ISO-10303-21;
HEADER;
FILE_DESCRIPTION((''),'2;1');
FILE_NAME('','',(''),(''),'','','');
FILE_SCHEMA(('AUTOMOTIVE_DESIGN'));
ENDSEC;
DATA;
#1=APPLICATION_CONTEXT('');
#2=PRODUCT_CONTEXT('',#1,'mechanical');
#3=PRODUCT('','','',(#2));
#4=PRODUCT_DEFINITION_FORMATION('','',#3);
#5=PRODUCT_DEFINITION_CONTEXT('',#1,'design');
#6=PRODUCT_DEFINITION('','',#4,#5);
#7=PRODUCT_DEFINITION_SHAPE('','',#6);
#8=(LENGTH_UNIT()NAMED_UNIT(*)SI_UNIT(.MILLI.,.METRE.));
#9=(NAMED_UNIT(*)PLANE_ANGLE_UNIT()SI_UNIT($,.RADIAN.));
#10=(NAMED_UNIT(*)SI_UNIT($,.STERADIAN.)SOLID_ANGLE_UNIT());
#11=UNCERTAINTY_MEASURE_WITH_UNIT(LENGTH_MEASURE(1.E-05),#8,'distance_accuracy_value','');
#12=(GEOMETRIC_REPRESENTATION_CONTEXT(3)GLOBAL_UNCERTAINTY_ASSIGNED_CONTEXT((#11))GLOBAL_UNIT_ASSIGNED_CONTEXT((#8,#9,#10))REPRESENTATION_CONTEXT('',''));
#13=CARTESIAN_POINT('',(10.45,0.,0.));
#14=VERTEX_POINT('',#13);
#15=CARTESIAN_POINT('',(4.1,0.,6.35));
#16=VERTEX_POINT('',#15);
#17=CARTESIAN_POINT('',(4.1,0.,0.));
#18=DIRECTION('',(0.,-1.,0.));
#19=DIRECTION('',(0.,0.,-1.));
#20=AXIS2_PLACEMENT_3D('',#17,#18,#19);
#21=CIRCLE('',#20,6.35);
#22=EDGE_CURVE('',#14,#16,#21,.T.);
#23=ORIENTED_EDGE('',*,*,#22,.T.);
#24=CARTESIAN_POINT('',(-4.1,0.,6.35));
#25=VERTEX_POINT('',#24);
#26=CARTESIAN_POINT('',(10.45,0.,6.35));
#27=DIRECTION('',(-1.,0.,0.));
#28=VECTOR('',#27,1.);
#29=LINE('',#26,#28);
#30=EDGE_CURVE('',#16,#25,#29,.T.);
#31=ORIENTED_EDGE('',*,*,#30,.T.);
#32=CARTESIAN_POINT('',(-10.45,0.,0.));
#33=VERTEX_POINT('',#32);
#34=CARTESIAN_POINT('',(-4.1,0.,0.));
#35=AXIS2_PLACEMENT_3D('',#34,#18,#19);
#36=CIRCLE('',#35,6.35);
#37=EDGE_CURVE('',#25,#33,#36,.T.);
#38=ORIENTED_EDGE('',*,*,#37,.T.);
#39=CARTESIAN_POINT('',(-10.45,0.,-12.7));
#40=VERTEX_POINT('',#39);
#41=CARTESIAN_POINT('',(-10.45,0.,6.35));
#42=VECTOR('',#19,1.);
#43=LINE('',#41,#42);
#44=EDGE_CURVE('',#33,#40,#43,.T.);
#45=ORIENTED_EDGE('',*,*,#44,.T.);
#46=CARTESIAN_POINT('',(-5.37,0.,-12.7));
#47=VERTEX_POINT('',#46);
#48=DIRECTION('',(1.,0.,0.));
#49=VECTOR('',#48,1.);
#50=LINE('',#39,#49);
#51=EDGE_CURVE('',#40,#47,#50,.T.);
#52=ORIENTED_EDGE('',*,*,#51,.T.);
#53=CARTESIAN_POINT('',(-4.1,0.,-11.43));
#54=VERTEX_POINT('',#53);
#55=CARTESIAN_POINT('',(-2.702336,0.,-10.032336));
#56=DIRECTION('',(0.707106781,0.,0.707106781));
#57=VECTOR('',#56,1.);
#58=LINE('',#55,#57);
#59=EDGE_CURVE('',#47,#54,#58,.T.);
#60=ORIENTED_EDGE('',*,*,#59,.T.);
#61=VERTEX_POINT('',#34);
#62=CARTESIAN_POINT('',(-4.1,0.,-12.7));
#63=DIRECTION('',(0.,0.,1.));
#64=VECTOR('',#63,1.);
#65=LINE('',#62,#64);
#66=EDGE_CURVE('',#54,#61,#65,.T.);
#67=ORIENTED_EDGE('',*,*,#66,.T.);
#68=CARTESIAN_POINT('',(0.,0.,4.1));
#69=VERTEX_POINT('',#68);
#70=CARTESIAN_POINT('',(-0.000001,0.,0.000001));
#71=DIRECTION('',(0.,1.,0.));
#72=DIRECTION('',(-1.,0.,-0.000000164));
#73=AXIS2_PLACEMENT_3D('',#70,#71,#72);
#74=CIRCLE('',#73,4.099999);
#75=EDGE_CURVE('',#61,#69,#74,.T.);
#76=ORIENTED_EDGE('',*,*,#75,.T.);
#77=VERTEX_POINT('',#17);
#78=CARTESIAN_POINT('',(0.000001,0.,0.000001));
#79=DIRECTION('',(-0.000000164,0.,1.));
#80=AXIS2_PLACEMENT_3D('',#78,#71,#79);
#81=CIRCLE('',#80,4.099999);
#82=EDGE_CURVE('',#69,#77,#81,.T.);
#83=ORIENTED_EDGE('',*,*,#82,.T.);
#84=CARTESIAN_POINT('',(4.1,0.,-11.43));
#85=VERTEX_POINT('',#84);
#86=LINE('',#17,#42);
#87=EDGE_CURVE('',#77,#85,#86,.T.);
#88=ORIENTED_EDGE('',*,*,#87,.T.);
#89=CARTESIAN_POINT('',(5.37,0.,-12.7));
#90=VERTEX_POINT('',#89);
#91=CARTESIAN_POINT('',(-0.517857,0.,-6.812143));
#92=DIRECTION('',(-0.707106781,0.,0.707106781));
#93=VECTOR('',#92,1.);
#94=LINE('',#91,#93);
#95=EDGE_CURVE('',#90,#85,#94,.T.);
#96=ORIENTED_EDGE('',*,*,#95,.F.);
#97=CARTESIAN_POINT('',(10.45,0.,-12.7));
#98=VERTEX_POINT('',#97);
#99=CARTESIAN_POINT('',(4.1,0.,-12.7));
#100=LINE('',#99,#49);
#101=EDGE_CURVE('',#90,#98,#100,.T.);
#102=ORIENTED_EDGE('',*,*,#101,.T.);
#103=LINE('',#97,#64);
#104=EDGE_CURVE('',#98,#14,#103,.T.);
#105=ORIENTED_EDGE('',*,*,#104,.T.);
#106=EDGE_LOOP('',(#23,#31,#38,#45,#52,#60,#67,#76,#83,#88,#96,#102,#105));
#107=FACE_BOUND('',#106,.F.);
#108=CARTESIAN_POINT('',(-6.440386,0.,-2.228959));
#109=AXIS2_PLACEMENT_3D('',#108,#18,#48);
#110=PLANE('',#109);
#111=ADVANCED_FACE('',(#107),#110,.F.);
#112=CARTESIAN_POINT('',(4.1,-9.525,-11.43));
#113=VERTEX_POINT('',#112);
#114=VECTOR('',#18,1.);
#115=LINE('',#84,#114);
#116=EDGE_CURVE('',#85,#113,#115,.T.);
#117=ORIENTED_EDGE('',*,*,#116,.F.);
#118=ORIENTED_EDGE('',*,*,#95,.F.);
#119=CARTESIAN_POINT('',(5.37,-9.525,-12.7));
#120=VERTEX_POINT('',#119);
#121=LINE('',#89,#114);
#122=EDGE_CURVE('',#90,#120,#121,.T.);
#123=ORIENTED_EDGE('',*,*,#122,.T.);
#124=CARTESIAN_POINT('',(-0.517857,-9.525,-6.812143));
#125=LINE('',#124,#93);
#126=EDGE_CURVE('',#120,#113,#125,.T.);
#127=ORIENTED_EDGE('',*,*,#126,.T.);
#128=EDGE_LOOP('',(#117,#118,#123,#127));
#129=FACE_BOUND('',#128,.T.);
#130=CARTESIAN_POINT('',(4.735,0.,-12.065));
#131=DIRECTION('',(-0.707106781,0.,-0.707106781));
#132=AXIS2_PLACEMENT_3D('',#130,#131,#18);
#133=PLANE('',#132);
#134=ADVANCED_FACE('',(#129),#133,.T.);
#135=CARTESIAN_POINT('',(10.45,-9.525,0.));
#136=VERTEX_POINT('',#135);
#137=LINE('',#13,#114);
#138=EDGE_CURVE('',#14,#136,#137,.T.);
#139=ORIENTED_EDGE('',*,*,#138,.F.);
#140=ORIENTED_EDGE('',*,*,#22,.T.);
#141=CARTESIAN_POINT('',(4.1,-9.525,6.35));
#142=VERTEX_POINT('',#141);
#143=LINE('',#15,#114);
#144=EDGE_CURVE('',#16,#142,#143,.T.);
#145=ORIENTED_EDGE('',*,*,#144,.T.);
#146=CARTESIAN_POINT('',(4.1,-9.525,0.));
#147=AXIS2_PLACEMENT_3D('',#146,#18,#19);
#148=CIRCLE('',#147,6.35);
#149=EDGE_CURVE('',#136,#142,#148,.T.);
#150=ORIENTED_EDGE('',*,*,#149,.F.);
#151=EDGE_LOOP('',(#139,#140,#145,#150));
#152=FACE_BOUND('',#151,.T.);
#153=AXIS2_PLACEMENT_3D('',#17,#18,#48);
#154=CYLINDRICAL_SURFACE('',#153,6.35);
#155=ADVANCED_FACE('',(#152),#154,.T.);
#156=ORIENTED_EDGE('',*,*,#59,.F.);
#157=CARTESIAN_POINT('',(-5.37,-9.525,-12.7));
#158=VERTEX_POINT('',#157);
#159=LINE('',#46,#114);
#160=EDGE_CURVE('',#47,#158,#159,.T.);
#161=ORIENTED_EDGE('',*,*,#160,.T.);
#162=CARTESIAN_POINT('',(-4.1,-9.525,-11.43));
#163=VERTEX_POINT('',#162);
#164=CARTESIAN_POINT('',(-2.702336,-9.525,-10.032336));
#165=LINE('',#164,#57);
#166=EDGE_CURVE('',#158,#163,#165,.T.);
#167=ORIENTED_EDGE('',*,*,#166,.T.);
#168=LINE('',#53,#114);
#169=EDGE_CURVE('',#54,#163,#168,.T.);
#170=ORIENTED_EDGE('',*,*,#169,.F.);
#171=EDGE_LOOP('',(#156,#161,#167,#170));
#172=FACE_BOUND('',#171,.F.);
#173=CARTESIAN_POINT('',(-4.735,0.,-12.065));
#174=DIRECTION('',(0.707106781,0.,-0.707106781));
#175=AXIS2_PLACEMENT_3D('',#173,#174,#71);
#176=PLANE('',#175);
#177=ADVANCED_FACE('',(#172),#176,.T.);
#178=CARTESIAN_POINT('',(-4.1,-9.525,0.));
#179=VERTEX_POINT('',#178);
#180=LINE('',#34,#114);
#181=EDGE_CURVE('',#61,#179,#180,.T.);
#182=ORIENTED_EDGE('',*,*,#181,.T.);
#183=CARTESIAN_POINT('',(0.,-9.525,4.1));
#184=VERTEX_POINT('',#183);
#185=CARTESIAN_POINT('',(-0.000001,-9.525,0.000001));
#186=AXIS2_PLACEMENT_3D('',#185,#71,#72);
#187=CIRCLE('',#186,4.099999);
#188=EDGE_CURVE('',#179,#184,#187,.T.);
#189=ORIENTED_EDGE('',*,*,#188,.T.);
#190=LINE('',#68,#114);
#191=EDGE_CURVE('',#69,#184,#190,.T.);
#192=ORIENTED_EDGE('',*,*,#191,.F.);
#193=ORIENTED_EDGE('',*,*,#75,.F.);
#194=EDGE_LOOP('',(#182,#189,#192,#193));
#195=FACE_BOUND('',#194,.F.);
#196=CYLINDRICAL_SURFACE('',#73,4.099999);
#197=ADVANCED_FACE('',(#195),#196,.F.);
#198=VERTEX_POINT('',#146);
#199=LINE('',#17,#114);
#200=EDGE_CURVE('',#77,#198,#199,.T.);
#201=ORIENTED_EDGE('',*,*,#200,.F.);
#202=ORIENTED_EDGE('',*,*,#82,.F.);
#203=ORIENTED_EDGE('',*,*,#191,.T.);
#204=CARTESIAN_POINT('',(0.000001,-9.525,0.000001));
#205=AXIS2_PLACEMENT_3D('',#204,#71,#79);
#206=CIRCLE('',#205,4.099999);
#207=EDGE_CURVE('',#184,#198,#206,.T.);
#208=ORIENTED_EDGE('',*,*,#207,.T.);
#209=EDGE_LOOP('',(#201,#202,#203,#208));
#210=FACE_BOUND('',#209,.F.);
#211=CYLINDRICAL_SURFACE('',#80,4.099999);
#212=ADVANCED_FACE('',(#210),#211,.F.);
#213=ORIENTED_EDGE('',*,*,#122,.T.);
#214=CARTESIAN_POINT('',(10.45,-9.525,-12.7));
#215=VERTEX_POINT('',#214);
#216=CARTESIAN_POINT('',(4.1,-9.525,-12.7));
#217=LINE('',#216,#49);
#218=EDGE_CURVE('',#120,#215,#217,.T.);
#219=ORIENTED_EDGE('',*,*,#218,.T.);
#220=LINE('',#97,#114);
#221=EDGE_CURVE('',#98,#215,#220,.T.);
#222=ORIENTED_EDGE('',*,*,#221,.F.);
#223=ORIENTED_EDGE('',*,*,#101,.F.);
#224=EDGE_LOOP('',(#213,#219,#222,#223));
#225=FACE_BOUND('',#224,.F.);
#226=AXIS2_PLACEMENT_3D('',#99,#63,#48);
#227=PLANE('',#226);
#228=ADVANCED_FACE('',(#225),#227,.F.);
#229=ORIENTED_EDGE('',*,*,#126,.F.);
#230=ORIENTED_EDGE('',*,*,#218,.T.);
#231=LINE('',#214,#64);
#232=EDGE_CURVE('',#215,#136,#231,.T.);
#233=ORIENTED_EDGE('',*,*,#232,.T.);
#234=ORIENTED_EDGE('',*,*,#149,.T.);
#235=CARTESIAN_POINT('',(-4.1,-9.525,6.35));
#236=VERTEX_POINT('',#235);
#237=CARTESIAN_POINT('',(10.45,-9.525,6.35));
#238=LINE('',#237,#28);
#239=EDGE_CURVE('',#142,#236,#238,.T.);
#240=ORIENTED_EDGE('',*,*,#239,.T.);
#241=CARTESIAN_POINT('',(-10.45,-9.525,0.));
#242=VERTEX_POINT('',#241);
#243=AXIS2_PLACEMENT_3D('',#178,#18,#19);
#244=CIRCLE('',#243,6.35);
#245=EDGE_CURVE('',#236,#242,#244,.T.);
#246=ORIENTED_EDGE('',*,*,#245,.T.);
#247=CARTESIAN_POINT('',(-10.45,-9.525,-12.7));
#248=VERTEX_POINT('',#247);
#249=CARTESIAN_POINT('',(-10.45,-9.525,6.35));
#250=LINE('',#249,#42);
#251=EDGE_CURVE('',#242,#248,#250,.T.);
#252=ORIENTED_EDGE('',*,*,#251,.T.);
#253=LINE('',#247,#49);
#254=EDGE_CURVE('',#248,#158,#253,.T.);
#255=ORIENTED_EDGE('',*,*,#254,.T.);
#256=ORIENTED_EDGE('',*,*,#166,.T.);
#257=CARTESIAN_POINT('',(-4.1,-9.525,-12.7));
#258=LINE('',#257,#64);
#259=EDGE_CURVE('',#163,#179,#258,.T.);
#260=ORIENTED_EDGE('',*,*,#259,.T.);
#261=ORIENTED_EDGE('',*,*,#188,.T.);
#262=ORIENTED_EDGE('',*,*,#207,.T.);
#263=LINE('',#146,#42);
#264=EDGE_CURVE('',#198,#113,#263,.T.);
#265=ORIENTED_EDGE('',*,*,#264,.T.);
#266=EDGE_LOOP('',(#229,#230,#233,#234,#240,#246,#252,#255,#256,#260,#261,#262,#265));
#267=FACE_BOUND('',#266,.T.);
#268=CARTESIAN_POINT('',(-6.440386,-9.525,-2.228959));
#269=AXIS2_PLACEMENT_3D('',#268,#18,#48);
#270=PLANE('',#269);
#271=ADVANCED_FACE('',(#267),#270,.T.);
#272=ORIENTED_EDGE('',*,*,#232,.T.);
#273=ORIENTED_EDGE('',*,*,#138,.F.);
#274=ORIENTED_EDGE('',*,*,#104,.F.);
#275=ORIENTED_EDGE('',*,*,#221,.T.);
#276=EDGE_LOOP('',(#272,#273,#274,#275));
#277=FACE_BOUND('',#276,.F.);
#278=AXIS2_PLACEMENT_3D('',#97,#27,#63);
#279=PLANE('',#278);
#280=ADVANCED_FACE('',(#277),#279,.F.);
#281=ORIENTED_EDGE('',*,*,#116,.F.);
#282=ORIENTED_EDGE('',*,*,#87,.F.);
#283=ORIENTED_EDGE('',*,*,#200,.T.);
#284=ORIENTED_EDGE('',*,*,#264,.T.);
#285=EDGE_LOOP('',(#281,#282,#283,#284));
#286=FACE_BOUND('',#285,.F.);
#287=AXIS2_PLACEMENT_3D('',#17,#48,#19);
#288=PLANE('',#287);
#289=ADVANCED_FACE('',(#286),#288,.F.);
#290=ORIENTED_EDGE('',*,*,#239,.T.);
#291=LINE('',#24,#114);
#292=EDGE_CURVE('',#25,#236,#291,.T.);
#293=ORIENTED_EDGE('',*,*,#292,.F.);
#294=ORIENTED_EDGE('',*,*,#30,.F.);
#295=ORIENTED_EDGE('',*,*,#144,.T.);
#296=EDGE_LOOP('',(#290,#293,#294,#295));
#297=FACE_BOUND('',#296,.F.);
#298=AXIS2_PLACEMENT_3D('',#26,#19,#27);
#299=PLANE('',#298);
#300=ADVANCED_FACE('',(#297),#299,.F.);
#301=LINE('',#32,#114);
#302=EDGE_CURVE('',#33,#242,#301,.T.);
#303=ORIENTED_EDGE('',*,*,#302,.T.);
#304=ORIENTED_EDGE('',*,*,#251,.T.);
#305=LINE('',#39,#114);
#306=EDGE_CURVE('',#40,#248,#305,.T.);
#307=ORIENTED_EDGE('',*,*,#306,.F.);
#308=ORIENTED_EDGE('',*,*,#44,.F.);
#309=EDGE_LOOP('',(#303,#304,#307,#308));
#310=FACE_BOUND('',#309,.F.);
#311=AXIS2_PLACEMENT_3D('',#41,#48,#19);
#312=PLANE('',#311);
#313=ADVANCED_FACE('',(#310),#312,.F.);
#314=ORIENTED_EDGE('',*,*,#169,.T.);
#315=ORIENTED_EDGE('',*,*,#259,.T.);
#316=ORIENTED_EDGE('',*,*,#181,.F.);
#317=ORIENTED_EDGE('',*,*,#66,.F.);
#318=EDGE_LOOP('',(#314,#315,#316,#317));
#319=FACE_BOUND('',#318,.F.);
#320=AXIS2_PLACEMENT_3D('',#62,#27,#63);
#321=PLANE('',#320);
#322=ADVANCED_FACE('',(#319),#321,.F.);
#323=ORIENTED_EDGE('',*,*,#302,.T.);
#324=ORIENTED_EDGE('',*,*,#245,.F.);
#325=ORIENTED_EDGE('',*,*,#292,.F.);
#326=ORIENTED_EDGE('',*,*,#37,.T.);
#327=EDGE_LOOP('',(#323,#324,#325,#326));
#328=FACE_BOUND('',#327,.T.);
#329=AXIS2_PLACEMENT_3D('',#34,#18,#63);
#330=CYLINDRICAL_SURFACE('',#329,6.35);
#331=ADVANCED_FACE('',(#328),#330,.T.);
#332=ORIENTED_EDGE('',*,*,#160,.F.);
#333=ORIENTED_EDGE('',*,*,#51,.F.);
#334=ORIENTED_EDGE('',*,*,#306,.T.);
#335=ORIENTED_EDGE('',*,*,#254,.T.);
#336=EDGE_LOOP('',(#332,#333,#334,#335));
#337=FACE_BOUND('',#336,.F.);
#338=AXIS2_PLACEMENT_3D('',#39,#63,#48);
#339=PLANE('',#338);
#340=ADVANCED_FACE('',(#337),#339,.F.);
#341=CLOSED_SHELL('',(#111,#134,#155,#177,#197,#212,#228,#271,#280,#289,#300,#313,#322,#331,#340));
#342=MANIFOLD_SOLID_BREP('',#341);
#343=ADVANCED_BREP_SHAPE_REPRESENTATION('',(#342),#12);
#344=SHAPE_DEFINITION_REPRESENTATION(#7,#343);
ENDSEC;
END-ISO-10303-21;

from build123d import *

# Parameters (mm, degrees)
F1_DEPTH = 9.525
F2_R     = 6.35
F3_SIZE  = 1.27


with BuildPart() as f1:
    # F0 (on Front) → F1 (new body)
    with BuildSketch(Plane.XZ):
        with BuildLine():
            Line((-4.1, -12.7), (-4.1, 0))
            ThreePointArc((-4.1, 0), (-2.899138, 2.899138), (0, 4.1))
            Line((0, 4.1), (0, 6.35))
            Line((0, 6.35), (-10.45, 6.35))
            Line((-10.45, 6.35), (-10.45, -12.7))
            Line((-10.45, -12.7), (-4.1, -12.7))
        make_face()
        with BuildLine():
            Line((0, 6.35), (0, 4.1))
            ThreePointArc((0, 4.1), (2.899138, 2.899138), (4.1, 0))
            Line((4.1, 0), (4.1, -12.7))
            Line((4.1, -12.7), (10.45, -12.7))
            Line((10.45, -12.7), (10.45, 6.35))
            Line((10.45, 6.35), (0, 6.35))
        make_face()
    extrude(amount=F1_DEPTH)

    # F2
    f2_edges = [f1.edges().sort_by_distance(p)[0] for p in [
        (-10.45, -4.7625, 6.35),
        (10.45, -4.7625, 6.35),
    ]]
    fillet(f2_edges, radius=F2_R)

    # F3
    f3_edges = [f1.edges().sort_by_distance(p)[0] for p in [
        (-4.1, -4.7625, -12.7),
        (4.1, -4.7625, -12.7),
    ]]
    chamfer(f3_edges, length=F3_SIZE)


solid = f1.part
